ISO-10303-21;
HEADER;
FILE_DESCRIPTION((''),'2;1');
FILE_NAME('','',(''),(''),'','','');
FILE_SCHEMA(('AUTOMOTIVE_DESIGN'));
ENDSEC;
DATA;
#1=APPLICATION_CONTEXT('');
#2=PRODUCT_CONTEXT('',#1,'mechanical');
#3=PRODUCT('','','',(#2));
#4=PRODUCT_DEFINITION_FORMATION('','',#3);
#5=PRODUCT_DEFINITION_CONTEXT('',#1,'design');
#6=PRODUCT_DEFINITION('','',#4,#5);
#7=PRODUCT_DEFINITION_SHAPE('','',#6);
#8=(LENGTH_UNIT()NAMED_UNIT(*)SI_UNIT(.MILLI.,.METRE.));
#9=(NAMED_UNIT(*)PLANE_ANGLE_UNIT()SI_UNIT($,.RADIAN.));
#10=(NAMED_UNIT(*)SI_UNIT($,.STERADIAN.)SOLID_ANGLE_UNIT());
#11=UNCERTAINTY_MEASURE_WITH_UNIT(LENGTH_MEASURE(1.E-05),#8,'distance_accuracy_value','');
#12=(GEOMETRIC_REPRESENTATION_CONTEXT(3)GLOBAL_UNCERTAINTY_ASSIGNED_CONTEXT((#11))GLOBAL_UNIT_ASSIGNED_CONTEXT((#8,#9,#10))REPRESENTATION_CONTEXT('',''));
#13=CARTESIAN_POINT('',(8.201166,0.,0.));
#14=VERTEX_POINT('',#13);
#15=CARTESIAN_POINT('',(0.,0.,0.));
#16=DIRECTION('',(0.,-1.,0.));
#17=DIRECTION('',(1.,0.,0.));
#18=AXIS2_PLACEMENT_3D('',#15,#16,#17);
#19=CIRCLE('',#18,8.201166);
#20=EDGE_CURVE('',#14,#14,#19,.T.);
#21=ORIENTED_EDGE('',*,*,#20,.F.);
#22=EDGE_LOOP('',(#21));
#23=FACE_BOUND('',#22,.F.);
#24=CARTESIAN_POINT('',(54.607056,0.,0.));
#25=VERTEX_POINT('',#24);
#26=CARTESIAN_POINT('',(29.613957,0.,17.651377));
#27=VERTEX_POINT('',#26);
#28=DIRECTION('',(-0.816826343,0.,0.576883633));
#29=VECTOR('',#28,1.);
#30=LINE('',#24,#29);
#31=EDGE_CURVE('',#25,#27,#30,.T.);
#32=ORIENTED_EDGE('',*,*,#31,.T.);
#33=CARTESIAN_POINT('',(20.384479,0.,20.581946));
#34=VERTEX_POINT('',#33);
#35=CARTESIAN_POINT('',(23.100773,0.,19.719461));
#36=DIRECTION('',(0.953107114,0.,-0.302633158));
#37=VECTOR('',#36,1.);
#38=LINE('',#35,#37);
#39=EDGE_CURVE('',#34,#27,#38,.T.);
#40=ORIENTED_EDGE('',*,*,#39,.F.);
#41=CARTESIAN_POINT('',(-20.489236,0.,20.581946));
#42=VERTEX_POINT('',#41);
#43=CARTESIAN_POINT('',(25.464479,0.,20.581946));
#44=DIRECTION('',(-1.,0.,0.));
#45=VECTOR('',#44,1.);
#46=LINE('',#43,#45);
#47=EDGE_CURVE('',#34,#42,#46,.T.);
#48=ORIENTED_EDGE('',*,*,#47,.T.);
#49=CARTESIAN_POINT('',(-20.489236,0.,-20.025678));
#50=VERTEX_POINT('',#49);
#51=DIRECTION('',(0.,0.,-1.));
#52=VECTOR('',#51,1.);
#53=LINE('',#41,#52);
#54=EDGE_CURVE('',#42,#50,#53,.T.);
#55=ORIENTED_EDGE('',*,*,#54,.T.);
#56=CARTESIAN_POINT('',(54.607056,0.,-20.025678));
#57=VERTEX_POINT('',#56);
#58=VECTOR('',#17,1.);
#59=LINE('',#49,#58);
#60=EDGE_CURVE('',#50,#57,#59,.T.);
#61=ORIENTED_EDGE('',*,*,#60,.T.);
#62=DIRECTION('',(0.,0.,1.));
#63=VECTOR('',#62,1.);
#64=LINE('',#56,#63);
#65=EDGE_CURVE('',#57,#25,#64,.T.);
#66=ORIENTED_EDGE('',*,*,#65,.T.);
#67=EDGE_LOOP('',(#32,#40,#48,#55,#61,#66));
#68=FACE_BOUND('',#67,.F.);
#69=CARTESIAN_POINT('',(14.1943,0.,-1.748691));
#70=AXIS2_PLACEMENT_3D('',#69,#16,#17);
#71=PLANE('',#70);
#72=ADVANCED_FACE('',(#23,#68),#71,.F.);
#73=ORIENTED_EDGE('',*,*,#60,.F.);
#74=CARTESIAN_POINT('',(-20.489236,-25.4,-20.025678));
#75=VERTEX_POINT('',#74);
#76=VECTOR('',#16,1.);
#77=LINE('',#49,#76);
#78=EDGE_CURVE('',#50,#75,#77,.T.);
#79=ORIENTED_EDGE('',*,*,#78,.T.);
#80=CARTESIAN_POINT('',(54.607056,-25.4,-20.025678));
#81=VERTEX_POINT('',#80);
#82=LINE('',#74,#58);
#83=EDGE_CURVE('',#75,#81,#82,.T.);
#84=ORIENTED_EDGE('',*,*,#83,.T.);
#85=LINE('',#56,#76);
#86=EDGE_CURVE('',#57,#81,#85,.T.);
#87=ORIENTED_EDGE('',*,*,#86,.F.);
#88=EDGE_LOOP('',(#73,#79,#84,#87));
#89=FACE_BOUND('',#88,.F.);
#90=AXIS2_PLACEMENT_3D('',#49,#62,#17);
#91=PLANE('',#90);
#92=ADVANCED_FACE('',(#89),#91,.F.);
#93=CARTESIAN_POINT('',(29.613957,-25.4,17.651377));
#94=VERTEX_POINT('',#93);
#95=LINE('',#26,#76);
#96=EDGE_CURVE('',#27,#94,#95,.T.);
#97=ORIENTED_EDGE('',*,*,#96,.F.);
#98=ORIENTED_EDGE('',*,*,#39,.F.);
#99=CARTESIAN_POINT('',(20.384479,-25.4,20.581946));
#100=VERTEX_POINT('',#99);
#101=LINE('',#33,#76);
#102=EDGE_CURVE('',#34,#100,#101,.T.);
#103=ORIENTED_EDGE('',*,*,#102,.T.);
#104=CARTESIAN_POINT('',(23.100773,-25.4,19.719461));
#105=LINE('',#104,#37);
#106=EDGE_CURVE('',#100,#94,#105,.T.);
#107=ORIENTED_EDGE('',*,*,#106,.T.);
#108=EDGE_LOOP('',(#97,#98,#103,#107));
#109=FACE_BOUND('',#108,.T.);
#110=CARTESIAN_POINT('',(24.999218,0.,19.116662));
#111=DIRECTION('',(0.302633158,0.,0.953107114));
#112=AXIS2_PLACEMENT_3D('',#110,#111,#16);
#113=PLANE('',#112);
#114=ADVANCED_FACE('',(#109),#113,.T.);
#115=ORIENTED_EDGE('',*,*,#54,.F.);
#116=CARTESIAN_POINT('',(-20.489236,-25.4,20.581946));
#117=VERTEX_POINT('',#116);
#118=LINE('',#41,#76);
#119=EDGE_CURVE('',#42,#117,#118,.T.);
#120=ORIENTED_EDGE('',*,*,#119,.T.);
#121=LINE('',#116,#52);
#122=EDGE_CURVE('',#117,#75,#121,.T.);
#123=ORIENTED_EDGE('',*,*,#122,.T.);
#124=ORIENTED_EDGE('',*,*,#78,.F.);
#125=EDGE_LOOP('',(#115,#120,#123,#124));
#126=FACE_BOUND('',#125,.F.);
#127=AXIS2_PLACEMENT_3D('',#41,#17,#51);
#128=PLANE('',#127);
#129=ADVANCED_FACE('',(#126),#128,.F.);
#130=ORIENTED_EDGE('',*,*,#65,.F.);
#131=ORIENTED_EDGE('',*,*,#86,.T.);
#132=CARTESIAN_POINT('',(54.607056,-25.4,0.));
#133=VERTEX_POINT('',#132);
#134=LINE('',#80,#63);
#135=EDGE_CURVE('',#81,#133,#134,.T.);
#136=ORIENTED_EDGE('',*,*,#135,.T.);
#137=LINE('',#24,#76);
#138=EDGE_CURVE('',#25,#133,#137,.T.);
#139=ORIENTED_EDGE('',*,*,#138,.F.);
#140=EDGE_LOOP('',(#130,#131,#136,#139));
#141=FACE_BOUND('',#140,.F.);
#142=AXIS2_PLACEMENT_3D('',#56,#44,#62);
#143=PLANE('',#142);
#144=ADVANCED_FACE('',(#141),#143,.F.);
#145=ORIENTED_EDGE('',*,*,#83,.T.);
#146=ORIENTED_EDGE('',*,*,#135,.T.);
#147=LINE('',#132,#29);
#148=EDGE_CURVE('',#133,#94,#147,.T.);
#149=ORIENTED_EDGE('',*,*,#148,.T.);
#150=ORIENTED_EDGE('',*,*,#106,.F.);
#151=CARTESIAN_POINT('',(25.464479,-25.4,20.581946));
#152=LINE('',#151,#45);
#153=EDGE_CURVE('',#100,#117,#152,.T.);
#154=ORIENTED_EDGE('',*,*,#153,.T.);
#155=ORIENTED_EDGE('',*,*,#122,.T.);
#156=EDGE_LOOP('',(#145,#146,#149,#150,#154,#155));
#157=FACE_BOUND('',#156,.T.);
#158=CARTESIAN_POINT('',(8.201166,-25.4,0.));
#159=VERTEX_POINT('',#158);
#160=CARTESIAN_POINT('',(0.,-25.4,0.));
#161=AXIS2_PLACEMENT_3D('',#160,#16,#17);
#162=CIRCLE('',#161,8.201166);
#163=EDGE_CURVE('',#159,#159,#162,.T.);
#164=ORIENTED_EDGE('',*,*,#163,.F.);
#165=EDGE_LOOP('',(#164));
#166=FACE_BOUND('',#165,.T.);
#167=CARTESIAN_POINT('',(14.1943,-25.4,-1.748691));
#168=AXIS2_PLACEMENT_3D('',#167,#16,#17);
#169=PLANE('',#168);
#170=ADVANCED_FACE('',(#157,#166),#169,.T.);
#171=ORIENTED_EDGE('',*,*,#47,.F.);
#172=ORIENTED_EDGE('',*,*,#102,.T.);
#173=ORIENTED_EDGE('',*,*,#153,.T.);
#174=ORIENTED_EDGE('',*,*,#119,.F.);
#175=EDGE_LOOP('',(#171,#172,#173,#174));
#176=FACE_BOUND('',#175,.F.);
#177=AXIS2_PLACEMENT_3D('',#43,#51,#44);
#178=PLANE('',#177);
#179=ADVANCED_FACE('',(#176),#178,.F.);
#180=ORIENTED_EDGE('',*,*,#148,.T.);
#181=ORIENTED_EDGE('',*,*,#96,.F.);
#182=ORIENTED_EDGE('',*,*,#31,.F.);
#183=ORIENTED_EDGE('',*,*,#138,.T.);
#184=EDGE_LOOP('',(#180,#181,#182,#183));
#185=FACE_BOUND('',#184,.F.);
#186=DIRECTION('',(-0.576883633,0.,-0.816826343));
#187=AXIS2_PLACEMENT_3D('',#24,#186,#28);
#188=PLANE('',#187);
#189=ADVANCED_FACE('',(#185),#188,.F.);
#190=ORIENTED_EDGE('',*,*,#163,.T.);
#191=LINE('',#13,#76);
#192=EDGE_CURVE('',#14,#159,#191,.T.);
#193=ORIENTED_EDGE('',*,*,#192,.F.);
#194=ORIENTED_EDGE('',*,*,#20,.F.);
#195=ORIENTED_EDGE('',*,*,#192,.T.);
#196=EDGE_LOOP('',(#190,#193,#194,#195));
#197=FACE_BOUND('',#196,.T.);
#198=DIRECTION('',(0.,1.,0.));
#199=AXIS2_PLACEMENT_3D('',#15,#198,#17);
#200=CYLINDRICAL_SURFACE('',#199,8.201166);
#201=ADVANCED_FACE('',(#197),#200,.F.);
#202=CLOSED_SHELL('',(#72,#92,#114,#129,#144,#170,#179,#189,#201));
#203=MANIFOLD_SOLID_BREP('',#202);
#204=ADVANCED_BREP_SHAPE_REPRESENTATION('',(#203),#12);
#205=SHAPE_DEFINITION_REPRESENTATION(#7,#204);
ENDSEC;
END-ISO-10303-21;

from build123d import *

# Parameters (mm, degrees)
F0_R     = 8.201166
F1_DEPTH = 25.4
F2_SIZE  = 5.08


with BuildPart() as f1:
    # F0 (on Front) → F1 (new body)
    with BuildSketch(Plane.XZ):
        Polygon((25.464479, 20.581946), (-20.489236, 20.581946), (-20.489236, -20.025678), (54.607056, -20.025678), (54.607056, 0), align=None)
        Circle(F0_R, mode=Mode.SUBTRACT)
    extrude(amount=F1_DEPTH)

    # F2
    f2_edges = [f1.edges().sort_by_distance(p)[0] for p in [
        (25.464479, -12.7, 20.581946),
    ]]
    chamfer(f2_edges, length=F2_SIZE)


solid = f1.part
